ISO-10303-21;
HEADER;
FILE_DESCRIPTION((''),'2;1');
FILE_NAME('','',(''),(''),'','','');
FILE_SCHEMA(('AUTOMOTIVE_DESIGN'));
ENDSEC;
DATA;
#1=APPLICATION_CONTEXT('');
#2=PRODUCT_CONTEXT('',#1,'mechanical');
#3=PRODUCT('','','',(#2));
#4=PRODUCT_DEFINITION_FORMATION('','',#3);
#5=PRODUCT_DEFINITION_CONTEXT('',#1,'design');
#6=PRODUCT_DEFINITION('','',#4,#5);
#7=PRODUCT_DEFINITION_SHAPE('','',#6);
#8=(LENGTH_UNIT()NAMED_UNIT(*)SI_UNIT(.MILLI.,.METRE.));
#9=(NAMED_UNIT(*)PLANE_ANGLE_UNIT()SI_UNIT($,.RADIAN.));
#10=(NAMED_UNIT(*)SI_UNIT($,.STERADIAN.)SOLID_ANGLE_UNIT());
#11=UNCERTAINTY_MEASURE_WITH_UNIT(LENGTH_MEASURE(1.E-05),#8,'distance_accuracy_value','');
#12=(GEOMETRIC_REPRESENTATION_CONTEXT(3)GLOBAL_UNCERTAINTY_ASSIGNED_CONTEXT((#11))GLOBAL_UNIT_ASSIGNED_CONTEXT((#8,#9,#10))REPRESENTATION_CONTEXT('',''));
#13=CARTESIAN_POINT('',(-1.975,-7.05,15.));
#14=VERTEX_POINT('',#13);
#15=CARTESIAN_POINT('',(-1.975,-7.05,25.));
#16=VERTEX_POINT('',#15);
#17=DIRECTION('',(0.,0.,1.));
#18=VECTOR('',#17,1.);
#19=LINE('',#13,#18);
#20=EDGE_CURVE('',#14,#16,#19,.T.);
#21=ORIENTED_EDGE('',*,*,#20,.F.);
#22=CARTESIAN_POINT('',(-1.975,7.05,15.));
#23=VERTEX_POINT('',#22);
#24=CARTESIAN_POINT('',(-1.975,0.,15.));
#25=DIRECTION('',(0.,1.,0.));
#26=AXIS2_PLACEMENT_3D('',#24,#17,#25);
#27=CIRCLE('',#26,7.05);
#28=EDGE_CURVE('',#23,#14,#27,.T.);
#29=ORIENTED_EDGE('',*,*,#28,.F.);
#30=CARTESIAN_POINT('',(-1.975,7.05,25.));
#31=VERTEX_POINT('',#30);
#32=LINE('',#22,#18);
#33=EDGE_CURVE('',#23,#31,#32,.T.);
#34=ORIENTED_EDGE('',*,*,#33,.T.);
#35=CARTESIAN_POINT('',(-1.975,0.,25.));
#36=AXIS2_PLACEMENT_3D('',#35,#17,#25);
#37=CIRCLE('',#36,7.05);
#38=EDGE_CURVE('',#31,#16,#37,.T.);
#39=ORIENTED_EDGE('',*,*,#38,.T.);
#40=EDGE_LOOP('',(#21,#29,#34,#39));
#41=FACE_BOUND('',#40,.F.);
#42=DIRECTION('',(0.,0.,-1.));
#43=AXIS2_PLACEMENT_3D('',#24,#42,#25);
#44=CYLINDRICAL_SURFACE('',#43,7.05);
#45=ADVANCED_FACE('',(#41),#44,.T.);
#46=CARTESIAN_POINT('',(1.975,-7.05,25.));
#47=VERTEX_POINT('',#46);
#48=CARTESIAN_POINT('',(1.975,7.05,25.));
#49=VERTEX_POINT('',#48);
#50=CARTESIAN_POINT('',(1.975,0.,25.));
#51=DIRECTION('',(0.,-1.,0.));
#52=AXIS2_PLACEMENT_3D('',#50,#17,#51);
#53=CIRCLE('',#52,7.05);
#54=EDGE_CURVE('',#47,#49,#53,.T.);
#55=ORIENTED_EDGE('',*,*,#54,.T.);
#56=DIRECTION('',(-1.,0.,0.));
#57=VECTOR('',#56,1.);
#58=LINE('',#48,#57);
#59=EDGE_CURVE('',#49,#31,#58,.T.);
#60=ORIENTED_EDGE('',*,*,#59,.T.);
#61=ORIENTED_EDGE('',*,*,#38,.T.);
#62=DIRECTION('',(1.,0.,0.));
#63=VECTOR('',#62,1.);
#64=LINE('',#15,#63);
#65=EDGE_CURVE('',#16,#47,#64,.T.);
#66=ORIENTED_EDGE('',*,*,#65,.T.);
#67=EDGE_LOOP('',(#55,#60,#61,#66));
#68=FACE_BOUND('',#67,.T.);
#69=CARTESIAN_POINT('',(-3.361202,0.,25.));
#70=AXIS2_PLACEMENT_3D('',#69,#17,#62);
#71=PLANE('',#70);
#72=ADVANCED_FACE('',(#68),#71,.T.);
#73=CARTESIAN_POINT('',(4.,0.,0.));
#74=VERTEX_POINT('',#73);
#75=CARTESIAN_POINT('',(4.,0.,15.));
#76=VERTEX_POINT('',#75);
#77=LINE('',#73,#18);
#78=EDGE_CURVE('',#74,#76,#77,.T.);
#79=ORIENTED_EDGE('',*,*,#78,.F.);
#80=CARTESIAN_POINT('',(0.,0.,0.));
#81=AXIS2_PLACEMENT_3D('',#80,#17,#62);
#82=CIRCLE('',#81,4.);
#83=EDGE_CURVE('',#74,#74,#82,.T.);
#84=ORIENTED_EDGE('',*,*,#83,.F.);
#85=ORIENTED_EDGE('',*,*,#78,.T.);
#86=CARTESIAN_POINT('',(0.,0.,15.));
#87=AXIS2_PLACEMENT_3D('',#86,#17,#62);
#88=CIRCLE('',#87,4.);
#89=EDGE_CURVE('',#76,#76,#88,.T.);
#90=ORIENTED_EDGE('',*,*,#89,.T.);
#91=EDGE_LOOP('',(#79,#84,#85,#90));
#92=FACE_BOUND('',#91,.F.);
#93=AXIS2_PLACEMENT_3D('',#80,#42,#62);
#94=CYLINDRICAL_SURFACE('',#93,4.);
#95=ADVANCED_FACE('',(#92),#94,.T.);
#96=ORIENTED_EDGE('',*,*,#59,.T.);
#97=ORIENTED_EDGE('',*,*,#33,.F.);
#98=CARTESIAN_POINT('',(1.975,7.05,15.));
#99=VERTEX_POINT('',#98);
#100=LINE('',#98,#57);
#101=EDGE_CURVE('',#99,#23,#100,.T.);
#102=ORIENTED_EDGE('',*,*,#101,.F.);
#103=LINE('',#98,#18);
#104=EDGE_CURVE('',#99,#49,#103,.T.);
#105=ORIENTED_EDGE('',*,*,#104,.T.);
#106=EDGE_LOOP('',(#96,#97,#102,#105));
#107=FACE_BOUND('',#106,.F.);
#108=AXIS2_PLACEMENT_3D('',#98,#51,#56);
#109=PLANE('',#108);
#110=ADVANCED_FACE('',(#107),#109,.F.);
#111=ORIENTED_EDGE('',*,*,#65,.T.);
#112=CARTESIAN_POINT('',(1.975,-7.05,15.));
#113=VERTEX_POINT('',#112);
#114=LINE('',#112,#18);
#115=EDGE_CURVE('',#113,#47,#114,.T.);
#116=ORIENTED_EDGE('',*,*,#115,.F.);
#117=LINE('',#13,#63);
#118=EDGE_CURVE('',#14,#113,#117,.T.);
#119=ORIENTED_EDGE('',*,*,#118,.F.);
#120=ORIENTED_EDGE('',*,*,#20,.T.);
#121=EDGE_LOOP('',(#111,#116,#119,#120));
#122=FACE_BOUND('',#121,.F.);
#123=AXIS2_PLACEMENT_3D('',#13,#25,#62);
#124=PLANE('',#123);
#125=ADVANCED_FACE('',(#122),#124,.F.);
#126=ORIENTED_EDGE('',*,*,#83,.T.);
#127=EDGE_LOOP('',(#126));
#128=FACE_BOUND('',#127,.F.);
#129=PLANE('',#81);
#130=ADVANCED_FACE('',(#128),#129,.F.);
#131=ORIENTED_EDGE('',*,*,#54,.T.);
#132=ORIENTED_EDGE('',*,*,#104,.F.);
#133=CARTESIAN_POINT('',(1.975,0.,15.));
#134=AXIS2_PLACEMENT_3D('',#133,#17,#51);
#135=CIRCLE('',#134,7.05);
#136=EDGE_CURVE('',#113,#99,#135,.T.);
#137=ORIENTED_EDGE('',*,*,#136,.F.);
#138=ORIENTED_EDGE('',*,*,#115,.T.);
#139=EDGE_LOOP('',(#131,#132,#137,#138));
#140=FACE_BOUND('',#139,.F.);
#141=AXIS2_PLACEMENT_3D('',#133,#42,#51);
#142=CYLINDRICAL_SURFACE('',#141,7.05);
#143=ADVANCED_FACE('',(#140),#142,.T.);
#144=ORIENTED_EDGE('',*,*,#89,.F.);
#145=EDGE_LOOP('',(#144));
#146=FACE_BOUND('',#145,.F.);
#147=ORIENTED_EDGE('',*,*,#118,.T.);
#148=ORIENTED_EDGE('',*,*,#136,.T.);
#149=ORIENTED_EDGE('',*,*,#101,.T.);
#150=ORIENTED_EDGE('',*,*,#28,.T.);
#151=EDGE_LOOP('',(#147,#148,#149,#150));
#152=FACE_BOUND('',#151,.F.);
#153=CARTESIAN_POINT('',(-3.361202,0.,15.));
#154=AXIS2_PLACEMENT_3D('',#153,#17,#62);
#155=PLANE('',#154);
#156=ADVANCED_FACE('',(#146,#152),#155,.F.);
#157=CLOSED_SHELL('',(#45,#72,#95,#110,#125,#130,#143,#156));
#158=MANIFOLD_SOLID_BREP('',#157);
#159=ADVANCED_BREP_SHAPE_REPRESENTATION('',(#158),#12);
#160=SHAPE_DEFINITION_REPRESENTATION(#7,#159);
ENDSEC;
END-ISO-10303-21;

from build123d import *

# Parameters (mm, degrees)
F0_R     = 4
F1_DEPTH = 15
F3_DEPTH = 10


with BuildPart() as f1:
    # F0 (on Top) → F1 (new body)
    with BuildSketch(Plane.XY):
        Circle(F0_R)
    extrude(amount=F1_DEPTH)

    # F2 (on face) → F3 (join)
    with BuildSketch(Plane.XY.offset(15)):
        with BuildLine():
            Line((0, -7.05), (0, 0))
            Line((0, 0), (0, 7.05))
            Line((0, 7.05), (-1.975, 7.05))
            ThreePointArc((-1.975, 7.05), (-9.025, 0), (-1.975, -7.05))
            Line((-1.975, -7.05), (0, -7.05))
        make_face()
        with BuildLine():
            Line((0, 7.05), (0, 0))
            Line((0, 0), (0, -7.05))
            Line((0, -7.05), (1.975, -7.05))
            ThreePointArc((1.975, -7.05), (9.025, 0), (1.975, 7.05))
            Line((1.975, 7.05), (0, 7.05))
        make_face()
    extrude(amount=F3_DEPTH)


solid = f1.part
